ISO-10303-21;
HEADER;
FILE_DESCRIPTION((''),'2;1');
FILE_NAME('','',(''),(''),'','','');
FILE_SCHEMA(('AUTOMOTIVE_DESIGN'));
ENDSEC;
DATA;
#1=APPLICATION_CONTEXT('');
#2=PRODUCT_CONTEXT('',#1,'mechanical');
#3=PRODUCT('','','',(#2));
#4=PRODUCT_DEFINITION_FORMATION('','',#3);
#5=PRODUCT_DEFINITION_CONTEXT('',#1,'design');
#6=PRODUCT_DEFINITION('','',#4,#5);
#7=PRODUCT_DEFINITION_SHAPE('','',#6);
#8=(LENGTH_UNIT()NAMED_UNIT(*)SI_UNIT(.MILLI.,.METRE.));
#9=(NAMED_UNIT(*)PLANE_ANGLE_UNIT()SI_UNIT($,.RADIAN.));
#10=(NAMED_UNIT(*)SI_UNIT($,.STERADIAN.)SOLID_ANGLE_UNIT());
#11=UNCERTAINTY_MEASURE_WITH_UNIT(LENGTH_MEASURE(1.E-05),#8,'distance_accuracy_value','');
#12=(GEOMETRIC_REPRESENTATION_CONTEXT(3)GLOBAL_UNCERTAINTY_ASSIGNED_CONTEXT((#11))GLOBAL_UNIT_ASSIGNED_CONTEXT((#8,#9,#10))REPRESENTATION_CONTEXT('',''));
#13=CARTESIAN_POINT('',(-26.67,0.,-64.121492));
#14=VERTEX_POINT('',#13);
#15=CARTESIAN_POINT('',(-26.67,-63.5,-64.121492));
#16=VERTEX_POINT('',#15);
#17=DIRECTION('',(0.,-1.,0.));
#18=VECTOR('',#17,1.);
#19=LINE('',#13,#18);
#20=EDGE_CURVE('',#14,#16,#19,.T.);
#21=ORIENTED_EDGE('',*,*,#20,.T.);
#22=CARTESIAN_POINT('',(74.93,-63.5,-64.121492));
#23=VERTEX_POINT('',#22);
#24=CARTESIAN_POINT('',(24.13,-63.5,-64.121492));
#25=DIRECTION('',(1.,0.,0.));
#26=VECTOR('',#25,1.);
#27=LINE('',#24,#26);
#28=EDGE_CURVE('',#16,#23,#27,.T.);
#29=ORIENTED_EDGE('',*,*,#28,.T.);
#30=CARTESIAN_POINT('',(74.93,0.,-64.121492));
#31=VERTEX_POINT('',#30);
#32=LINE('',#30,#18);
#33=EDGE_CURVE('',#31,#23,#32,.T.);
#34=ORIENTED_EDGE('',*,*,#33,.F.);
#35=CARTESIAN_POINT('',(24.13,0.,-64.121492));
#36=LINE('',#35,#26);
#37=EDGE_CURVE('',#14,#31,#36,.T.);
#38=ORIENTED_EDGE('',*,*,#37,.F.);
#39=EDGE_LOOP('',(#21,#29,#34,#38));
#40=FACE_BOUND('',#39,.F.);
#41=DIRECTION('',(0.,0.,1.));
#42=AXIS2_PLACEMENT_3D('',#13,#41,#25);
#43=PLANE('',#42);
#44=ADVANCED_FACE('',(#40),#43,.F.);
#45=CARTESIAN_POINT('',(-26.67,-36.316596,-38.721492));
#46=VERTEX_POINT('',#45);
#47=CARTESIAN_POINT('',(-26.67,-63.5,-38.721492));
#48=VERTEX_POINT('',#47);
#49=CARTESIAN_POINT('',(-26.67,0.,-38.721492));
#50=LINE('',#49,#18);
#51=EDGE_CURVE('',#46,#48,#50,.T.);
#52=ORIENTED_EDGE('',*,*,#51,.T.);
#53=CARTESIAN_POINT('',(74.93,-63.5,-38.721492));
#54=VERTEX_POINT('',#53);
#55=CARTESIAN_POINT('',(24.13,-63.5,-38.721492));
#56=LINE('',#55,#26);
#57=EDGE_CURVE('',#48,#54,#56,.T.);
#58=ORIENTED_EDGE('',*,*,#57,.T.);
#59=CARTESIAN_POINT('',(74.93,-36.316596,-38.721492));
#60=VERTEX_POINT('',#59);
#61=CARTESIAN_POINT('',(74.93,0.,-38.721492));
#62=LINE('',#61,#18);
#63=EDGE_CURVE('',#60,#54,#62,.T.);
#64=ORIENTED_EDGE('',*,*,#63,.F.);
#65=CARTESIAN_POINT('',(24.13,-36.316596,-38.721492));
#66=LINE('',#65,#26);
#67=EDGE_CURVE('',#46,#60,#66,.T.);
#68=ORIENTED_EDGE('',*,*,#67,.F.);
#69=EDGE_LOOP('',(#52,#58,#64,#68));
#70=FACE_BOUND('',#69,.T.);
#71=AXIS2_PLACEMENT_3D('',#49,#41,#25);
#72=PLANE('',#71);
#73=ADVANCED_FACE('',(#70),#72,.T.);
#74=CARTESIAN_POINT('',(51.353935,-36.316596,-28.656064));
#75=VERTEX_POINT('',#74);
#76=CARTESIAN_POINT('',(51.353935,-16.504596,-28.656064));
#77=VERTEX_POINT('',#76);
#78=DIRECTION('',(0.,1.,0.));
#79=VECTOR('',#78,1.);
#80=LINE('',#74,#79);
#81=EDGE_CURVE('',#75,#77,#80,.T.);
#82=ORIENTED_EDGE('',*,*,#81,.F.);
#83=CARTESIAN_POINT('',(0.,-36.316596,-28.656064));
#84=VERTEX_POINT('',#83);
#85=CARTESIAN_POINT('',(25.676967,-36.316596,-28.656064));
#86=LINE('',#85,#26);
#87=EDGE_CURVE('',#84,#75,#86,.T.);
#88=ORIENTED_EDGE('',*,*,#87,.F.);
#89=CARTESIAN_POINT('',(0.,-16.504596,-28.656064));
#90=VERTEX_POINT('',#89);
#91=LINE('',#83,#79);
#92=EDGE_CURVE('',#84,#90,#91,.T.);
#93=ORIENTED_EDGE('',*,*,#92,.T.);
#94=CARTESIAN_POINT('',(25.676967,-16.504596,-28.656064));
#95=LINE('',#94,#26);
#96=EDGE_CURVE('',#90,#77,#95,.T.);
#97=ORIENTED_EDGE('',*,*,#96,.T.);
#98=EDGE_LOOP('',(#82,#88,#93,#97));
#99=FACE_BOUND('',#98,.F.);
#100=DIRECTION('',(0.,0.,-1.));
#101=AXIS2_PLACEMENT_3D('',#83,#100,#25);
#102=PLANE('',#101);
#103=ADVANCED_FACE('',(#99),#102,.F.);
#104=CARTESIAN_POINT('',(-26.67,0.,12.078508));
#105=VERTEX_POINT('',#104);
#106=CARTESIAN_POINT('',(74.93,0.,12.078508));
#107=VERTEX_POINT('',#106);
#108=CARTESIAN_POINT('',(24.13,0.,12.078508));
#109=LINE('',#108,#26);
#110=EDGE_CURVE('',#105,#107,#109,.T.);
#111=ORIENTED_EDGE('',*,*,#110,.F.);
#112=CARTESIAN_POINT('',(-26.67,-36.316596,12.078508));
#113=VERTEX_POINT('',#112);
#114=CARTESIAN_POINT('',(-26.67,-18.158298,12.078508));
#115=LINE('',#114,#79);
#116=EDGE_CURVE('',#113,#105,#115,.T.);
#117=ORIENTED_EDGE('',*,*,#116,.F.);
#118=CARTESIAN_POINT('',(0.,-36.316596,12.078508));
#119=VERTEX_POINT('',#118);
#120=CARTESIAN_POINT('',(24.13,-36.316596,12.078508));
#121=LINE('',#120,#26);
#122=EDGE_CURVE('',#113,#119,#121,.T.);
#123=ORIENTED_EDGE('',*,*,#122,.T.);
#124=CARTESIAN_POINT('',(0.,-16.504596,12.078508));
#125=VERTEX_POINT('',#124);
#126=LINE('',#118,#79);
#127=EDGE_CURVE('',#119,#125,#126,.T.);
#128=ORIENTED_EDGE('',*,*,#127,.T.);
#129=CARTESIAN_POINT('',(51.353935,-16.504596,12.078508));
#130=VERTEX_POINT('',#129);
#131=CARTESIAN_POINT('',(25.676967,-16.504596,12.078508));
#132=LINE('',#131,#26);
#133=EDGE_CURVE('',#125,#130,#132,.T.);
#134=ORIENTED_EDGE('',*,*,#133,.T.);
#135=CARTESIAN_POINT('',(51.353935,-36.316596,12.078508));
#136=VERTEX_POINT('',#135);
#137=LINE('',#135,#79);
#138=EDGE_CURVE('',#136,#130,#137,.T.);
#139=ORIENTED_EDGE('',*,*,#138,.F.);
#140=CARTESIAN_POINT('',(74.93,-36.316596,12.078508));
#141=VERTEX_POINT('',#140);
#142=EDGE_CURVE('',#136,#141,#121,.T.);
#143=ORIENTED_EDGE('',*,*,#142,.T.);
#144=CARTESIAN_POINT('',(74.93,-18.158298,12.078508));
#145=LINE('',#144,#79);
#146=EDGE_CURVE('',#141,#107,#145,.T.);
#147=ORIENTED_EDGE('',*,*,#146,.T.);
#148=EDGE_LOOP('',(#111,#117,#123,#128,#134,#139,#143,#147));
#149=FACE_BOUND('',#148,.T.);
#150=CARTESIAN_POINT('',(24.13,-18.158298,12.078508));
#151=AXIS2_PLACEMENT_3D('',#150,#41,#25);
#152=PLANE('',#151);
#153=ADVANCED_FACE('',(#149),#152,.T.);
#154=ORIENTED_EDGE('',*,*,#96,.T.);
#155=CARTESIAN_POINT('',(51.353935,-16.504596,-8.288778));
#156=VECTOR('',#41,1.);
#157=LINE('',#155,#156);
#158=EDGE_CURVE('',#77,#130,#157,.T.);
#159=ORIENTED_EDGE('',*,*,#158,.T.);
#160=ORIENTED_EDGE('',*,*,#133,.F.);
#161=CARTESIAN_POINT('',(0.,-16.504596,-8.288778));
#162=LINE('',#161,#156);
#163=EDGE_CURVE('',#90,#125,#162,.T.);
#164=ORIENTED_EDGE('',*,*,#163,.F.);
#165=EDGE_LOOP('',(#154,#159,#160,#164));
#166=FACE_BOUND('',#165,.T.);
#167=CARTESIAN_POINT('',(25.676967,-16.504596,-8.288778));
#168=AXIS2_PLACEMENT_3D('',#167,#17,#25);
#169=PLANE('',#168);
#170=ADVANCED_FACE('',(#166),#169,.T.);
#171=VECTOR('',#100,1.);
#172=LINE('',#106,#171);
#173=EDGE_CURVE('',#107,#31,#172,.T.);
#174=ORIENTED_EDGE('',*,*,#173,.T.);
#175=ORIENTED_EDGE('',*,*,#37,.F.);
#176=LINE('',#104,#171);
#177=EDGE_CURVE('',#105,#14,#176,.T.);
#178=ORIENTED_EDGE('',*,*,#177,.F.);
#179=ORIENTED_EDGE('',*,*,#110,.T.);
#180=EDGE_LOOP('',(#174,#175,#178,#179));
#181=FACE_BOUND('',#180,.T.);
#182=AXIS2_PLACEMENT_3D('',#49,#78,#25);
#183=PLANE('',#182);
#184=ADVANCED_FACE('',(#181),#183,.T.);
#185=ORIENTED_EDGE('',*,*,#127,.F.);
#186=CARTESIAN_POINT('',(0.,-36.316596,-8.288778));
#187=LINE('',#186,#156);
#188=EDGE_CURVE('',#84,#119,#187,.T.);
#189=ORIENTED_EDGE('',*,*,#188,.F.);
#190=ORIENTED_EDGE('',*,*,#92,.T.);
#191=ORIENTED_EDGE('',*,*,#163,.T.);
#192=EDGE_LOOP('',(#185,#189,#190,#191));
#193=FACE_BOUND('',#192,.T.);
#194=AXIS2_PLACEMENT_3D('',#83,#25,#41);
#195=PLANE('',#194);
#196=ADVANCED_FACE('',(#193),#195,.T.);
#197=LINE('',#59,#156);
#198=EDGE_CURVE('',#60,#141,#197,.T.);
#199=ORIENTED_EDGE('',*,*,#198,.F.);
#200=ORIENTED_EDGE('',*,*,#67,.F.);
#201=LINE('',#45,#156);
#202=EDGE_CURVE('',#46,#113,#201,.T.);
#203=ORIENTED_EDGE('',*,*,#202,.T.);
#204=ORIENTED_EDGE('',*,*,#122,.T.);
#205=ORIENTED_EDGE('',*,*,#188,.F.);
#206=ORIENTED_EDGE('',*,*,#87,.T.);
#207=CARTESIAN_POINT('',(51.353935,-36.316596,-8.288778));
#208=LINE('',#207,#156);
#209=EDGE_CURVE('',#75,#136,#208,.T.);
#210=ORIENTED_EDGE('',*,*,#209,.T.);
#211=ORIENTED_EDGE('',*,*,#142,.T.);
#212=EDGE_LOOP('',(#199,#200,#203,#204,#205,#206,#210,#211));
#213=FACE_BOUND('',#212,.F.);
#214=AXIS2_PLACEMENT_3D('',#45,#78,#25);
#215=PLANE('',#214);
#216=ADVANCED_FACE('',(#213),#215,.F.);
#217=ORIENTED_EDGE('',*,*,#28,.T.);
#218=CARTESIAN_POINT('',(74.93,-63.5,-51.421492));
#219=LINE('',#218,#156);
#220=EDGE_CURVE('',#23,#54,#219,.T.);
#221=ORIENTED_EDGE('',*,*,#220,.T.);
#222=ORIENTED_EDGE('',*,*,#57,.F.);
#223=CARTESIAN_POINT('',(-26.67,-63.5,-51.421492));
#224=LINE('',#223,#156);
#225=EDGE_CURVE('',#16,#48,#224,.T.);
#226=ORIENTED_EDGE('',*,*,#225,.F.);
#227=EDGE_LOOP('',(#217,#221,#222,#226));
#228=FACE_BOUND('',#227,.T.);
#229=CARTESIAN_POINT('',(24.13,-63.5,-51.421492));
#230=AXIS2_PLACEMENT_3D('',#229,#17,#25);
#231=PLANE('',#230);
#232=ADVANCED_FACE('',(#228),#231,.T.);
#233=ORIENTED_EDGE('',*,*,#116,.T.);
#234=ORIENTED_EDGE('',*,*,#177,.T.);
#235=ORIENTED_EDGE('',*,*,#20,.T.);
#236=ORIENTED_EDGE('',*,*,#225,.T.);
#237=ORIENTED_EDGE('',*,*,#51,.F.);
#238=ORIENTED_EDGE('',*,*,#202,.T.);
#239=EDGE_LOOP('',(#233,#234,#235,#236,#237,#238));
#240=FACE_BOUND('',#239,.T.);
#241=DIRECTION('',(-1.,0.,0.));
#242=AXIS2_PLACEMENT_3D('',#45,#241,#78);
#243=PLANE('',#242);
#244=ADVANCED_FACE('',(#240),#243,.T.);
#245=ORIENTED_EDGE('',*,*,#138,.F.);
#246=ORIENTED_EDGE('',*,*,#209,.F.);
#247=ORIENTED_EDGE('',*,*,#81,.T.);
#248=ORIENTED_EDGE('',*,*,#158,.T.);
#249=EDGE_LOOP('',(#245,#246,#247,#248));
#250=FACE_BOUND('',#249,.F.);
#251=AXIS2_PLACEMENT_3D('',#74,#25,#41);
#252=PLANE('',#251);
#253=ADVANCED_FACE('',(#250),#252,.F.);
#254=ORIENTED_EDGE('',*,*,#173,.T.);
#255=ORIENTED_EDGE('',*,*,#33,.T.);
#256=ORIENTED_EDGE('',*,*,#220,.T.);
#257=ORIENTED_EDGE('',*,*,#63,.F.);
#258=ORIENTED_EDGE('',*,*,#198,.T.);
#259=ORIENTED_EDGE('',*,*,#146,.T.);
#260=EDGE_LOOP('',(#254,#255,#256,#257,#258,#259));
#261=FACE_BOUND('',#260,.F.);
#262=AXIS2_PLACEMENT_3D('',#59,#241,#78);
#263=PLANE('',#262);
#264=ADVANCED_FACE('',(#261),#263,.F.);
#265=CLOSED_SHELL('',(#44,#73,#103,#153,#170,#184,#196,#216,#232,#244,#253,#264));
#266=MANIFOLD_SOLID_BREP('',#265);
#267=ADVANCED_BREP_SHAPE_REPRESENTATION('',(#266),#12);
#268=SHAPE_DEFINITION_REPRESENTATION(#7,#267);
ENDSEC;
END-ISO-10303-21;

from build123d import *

# Parameters (mm, degrees)
F0_W     = 101.6
F0_H     = 25.4
F1_DEPTH = 63.5
F2_W     = 101.6
F2_H     = 36.316596
F3_DEPTH = 50.8
F4_W     = 51.353935
F4_H     = 40.734572
F5_DEPTH = 19.812


with BuildPart() as f1:
    # F0 (on Front) → F1 (new body)
    with BuildSketch(Plane.XZ):
        with Locations((24.13, -51.421492)):
            Rectangle(F0_W, F0_H)
    extrude(amount=F1_DEPTH)

    # F2 (on face) → F3 (join)
    with BuildSketch(Plane.XY.offset(-38.721492)):
        with Locations((24.13, -18.158298)):
            Rectangle(F2_W, F2_H)
    extrude(amount=F3_DEPTH)

    # F4 (on face) → F5 (cut)
    with BuildSketch(Plane.XZ.offset(36.316596)):
        with Locations((25.676967, -8.288778)):
            Rectangle(F4_W, F4_H)
    extrude(amount=-F5_DEPTH, mode=Mode.SUBTRACT)


solid = f1.part
